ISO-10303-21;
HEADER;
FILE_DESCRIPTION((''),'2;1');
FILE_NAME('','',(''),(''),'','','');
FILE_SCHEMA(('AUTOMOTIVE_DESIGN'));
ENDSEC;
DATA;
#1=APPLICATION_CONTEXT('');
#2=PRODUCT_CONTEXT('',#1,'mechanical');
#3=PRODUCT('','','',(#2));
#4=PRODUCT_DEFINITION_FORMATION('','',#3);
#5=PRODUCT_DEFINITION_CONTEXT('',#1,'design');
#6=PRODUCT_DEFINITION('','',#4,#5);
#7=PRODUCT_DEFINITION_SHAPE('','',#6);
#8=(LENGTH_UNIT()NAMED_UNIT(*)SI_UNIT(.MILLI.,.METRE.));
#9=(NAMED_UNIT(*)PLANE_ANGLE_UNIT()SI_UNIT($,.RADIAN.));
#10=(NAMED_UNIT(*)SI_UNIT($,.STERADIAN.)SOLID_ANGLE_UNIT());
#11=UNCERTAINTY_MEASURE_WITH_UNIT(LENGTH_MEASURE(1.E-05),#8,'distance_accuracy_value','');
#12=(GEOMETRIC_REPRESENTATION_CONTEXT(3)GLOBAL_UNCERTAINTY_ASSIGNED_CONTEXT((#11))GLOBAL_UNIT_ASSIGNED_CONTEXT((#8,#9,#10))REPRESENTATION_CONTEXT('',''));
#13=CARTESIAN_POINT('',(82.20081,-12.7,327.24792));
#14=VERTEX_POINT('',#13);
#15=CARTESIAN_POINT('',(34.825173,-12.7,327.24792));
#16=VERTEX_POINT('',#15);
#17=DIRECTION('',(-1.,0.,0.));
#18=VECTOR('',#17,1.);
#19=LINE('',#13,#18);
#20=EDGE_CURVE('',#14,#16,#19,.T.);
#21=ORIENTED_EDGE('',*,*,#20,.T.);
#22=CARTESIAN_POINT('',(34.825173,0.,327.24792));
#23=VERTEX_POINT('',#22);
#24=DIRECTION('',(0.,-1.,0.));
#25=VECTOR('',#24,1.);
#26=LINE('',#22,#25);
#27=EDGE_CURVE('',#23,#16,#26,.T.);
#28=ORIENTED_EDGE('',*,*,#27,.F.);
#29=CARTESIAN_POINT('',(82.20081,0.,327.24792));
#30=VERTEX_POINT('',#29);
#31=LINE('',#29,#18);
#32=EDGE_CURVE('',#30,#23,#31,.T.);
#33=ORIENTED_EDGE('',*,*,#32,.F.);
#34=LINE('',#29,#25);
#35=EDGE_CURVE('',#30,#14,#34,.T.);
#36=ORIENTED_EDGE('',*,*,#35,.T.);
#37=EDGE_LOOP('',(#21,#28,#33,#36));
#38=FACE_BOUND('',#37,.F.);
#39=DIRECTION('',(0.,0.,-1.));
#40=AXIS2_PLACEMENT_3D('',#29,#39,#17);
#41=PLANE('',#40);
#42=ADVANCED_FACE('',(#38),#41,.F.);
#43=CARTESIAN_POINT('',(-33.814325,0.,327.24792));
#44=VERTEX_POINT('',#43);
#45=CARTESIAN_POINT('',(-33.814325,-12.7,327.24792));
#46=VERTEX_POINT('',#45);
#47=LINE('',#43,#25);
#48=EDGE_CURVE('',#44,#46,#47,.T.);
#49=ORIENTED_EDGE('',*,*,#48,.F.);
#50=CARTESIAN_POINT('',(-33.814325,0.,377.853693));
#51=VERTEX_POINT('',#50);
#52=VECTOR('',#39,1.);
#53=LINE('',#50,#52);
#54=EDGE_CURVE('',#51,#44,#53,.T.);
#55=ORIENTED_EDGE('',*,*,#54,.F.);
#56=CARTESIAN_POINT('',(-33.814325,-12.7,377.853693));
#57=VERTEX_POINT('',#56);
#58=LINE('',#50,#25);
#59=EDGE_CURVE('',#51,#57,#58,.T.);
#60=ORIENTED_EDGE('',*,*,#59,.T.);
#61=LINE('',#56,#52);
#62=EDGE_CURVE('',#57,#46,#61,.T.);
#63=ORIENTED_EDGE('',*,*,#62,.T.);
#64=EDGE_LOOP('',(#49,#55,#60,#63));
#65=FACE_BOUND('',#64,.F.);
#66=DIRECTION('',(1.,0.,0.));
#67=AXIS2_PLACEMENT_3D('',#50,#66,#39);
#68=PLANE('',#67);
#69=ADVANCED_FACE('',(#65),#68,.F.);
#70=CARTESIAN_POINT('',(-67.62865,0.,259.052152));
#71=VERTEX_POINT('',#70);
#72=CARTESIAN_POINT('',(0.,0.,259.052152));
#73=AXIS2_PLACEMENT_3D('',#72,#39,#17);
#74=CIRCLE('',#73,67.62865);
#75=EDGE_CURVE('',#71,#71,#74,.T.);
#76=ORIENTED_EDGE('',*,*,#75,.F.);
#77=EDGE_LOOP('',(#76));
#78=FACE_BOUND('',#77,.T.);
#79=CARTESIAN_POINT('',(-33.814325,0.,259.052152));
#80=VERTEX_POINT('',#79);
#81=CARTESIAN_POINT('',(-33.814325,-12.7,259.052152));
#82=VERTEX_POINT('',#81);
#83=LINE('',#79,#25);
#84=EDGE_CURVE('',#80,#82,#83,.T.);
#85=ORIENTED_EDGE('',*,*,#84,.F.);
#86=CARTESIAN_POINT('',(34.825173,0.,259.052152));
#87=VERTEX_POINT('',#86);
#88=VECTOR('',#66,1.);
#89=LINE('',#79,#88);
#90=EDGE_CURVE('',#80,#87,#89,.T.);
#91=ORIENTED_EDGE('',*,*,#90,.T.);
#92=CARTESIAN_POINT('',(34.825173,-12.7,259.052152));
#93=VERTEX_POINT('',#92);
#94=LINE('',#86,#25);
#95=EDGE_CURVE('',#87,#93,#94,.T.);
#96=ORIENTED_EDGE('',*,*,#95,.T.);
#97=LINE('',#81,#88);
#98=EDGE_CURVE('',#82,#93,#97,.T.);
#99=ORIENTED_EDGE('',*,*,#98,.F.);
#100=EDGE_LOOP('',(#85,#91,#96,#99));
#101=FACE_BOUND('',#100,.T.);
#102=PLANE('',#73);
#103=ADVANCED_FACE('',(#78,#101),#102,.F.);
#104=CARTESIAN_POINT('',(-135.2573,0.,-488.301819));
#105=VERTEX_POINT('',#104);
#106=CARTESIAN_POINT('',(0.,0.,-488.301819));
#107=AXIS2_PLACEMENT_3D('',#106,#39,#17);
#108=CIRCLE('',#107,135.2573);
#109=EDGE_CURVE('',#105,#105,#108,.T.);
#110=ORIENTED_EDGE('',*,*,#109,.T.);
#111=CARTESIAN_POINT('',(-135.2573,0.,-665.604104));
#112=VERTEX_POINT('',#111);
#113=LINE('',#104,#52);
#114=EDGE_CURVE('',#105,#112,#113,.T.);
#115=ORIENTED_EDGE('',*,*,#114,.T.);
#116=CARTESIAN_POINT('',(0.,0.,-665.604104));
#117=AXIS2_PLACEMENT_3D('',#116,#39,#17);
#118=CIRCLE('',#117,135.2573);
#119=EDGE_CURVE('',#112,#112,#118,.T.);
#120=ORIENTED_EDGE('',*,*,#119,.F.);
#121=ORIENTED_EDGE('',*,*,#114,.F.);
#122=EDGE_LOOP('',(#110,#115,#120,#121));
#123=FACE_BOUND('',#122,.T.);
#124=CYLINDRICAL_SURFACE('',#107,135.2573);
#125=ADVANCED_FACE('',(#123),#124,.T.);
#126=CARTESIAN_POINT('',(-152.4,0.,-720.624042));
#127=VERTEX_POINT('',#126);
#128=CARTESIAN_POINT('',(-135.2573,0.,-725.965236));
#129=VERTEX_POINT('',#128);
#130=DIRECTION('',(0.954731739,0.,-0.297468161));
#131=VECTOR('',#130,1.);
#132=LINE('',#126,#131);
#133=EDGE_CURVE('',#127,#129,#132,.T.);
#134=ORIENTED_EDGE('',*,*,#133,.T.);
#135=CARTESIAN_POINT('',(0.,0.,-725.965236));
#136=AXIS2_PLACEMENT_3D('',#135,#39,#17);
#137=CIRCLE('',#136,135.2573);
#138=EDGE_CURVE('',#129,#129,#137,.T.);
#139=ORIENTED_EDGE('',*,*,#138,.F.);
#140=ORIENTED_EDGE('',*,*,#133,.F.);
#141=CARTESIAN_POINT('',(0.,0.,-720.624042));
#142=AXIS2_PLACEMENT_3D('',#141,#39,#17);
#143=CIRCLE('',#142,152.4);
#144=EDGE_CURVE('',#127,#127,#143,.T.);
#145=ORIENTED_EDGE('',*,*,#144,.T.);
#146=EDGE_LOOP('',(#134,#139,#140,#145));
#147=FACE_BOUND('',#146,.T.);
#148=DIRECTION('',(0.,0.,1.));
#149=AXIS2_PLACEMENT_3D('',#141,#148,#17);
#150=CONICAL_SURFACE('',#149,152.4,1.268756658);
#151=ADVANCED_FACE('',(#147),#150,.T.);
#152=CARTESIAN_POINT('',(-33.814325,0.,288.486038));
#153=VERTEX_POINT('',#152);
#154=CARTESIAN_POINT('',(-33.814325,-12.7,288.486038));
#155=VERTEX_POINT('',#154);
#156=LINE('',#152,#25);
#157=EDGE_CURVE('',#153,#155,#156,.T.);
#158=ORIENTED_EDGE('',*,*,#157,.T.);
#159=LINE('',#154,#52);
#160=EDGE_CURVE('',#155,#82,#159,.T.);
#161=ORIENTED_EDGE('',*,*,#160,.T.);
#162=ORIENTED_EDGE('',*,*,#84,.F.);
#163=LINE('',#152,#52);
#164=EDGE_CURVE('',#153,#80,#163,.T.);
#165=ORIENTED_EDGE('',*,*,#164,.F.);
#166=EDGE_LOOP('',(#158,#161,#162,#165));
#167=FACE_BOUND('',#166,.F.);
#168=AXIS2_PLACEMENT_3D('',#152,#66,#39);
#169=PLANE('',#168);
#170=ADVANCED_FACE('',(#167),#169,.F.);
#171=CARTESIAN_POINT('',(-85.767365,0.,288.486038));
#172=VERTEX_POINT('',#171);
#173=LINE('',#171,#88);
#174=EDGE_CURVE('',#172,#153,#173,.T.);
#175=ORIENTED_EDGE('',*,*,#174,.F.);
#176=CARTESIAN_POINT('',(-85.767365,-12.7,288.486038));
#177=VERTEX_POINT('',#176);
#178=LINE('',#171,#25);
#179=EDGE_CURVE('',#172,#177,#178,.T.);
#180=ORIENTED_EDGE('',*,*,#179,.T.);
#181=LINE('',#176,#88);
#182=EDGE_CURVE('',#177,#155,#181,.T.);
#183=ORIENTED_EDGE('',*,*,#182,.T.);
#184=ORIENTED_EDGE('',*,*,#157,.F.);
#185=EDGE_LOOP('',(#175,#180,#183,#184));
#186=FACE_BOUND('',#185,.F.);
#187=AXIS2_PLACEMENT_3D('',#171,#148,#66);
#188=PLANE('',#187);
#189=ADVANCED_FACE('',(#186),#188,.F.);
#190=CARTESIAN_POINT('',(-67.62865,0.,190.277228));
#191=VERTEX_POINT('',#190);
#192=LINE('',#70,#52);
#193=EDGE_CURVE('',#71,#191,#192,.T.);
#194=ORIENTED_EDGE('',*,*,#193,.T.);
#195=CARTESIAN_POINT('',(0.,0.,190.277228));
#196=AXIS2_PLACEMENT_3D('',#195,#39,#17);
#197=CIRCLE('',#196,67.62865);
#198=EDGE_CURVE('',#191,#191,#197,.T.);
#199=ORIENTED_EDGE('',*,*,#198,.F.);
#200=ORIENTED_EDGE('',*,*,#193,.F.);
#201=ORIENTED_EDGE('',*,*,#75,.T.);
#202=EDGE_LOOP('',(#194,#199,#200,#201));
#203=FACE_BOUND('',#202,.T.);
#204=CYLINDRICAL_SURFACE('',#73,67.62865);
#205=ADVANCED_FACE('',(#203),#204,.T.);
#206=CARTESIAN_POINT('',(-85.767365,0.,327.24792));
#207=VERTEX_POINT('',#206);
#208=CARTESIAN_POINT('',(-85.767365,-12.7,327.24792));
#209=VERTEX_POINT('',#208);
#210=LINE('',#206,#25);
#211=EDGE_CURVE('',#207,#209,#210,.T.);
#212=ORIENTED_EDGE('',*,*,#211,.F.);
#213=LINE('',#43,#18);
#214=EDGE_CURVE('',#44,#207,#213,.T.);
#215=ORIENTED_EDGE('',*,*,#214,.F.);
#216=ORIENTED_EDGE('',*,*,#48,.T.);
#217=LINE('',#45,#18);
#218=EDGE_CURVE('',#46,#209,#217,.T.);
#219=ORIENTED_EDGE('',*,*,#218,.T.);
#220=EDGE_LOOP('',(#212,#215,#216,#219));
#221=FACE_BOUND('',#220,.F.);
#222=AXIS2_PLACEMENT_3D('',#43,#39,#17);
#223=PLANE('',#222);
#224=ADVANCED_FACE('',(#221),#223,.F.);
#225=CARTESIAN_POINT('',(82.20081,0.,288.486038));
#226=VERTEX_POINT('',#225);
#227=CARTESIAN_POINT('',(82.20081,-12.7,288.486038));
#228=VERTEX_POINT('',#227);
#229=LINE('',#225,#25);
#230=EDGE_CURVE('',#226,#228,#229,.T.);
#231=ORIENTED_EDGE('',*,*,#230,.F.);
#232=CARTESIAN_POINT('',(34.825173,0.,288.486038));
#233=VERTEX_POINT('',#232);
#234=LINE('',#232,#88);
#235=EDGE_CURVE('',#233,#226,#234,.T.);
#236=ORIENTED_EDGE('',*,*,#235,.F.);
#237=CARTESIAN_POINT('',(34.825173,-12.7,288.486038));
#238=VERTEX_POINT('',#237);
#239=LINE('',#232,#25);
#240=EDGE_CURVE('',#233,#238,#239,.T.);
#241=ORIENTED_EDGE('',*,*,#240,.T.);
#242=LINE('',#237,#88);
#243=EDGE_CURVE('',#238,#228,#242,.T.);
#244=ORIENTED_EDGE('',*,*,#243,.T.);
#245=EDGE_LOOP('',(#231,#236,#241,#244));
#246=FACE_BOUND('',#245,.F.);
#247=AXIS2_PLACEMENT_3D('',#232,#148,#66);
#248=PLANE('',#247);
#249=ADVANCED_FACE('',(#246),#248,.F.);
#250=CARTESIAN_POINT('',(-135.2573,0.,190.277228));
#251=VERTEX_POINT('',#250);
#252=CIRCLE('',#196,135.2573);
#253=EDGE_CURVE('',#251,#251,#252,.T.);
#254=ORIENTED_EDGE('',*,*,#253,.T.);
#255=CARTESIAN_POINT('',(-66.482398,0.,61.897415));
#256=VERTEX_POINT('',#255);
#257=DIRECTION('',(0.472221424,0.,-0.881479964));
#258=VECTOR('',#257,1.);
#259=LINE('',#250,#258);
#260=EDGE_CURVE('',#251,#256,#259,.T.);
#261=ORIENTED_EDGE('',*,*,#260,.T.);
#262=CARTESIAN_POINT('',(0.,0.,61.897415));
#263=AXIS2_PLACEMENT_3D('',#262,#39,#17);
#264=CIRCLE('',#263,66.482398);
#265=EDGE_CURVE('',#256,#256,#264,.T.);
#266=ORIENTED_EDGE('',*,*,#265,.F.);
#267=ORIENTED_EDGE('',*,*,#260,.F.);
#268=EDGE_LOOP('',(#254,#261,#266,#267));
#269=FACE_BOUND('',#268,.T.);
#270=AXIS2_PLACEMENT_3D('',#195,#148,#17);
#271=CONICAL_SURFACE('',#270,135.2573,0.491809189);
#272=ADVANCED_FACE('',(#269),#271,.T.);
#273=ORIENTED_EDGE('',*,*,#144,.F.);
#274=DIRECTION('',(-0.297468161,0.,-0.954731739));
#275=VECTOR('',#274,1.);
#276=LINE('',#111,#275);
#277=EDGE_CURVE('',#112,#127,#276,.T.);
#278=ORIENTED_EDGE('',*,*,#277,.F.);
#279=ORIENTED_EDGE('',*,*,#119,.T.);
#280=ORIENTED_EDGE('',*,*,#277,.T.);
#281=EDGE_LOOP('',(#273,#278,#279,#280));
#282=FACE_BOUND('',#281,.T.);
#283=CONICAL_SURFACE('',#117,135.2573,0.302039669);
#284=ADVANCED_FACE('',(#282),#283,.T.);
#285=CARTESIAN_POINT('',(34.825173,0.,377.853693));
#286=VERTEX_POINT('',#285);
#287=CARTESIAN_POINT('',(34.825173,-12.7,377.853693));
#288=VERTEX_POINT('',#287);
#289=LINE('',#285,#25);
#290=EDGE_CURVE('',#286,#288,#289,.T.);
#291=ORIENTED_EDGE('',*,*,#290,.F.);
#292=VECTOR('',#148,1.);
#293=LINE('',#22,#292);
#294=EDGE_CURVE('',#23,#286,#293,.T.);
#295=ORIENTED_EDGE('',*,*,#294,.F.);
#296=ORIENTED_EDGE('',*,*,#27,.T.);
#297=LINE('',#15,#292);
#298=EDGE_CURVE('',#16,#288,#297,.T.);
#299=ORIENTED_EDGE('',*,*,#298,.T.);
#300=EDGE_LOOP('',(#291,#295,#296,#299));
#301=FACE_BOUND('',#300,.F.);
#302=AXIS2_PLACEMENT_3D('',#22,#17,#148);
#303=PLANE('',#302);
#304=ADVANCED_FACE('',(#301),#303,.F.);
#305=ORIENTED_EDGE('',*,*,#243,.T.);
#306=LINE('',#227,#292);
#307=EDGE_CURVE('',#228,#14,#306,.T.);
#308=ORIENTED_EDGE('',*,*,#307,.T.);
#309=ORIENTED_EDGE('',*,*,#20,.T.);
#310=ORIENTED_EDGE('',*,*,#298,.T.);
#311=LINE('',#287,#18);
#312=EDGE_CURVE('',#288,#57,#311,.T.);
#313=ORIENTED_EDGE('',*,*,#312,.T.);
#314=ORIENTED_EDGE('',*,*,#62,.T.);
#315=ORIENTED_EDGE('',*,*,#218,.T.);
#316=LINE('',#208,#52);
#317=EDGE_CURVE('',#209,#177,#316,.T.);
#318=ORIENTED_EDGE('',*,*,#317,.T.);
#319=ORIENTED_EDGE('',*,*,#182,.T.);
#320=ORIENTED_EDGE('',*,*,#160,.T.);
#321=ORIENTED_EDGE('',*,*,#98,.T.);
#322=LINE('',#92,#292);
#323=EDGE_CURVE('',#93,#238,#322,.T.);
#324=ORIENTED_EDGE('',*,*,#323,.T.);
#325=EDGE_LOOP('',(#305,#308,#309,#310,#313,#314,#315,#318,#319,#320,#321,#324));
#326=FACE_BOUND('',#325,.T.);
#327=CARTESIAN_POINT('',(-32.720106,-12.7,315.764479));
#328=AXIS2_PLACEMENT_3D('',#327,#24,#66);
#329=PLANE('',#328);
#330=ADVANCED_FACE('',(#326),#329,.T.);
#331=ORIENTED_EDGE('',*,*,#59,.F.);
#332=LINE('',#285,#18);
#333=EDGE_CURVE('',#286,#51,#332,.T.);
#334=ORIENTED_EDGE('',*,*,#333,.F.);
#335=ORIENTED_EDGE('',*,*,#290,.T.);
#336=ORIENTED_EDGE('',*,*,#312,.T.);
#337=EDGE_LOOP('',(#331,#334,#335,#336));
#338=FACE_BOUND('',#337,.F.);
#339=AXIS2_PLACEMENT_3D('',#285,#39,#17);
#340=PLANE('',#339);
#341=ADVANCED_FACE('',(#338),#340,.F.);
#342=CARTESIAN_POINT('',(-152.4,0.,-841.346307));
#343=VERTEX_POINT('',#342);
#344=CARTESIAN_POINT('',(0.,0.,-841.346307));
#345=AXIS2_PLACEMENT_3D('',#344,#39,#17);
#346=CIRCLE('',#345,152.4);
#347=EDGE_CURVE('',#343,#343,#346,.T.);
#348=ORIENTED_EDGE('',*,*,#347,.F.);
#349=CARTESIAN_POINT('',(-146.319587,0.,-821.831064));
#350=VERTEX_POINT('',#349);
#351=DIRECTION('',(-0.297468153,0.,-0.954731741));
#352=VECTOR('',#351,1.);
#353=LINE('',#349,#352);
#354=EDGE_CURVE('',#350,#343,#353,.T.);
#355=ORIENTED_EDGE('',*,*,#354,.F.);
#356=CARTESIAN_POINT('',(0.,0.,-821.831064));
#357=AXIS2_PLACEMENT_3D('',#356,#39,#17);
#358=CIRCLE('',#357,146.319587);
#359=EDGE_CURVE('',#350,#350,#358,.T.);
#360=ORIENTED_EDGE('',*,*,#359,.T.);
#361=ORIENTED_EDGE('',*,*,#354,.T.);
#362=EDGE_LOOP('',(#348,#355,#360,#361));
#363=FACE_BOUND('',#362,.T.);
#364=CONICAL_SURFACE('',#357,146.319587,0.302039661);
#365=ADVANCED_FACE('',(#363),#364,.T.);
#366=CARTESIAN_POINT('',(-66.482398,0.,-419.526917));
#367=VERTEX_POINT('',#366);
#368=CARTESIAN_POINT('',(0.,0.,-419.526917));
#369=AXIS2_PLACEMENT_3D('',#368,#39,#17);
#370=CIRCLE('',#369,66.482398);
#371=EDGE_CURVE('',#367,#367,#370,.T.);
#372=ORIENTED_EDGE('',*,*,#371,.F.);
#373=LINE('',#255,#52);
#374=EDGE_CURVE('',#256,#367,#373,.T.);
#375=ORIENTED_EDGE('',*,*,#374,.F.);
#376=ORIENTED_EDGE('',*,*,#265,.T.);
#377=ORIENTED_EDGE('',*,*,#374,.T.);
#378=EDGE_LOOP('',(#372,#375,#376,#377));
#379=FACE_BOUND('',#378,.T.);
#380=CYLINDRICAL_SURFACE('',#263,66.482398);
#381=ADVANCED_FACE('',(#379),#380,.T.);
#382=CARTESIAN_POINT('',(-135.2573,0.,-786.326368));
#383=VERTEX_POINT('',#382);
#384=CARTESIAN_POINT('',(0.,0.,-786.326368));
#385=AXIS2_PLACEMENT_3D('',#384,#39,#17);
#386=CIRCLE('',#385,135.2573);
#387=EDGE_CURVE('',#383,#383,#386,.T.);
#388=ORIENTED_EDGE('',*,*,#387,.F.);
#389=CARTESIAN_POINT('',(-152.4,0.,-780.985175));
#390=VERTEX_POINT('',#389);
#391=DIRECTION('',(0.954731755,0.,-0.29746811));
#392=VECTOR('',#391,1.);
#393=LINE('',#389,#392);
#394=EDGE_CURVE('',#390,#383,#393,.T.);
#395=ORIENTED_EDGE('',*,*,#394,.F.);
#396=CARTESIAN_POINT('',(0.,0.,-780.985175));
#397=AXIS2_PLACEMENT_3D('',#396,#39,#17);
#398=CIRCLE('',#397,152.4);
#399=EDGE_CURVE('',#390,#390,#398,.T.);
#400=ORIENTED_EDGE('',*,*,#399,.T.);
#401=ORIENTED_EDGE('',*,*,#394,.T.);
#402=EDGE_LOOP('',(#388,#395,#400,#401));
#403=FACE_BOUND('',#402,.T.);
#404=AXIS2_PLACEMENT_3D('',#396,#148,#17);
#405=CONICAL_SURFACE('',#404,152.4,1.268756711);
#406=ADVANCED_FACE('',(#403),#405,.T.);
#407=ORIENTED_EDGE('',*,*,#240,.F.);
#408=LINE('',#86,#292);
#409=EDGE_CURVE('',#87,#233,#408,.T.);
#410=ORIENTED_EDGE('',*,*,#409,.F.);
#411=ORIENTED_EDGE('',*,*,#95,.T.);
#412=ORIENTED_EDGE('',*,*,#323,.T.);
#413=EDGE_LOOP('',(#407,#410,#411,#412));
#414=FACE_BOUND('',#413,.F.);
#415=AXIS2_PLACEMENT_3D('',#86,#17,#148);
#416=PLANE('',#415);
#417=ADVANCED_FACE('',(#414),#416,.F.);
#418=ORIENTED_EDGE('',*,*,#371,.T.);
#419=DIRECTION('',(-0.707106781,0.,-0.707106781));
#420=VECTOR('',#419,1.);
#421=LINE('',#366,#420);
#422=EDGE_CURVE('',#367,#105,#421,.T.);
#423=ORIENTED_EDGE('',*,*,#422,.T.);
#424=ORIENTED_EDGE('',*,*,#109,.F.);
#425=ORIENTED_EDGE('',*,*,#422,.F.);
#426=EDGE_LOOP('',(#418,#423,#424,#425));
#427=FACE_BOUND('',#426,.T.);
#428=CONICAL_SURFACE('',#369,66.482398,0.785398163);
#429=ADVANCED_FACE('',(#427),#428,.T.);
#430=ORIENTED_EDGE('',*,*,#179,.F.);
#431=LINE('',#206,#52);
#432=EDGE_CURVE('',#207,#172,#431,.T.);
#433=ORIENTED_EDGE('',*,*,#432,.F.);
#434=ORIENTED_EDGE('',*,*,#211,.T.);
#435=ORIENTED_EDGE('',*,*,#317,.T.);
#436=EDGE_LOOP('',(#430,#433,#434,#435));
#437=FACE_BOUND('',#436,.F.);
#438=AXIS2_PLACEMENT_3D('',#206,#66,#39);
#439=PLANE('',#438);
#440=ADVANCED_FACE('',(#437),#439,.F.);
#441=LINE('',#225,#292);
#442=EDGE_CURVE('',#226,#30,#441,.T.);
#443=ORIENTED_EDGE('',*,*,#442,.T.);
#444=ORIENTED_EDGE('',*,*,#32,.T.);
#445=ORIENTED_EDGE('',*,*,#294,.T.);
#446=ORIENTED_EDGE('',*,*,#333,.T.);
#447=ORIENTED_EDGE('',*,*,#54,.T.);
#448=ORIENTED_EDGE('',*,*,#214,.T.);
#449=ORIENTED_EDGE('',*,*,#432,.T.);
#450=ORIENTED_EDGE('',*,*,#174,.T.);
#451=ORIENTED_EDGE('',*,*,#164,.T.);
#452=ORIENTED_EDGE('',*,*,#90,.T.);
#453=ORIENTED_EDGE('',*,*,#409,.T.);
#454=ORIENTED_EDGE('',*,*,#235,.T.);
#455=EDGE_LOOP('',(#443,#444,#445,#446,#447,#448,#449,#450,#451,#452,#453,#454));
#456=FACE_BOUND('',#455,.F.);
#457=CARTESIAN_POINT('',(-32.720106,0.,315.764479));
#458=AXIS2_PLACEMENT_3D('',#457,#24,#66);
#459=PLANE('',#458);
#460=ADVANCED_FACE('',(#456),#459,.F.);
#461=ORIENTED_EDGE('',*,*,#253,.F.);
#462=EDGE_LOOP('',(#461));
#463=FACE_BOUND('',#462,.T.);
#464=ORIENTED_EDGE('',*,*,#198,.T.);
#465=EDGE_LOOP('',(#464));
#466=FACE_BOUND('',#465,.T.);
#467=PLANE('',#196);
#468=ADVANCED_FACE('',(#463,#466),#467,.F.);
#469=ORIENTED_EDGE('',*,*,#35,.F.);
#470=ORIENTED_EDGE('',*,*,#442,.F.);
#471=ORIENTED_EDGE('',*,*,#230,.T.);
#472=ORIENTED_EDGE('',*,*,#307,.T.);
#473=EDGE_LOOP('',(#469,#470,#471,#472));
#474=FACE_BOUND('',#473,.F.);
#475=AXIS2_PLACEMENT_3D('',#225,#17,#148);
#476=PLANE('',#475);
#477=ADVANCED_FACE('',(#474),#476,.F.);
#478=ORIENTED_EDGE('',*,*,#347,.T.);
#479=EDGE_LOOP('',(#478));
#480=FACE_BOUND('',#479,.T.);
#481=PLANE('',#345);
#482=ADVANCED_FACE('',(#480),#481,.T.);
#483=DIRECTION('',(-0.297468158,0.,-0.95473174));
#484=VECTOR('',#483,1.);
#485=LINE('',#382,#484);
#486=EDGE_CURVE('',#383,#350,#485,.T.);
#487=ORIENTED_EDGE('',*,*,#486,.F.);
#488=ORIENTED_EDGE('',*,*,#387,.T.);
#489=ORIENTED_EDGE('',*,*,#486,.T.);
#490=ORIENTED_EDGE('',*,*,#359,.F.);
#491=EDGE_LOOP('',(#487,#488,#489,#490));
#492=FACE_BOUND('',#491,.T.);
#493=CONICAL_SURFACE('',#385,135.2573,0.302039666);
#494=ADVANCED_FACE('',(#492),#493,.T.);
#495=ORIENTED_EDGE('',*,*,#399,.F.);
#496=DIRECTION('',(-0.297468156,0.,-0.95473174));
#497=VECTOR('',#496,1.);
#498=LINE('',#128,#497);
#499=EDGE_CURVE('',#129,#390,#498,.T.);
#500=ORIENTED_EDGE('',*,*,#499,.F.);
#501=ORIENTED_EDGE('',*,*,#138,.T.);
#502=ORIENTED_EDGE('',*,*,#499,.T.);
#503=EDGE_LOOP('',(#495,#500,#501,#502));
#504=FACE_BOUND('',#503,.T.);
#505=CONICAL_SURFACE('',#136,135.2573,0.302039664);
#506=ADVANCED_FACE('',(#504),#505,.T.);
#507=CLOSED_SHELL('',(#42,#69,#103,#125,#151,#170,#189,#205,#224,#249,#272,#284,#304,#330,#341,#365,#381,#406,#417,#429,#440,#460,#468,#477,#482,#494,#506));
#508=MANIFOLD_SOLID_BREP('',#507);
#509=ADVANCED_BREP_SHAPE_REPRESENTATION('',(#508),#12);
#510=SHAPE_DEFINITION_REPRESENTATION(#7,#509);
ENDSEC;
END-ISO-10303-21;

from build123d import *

# Parameters (mm, degrees)
F2_DEPTH = 12.7


with BuildPart() as f1:
    # F0 (on Front) → F1 (revolve)
    with BuildSketch(Plane.XZ):
        Polygon((-67.62865, 190.277228), (0, 190.277228), (0, 259.052152), (-33.814325, 259.052152), (-67.62865, 259.052152), align=None)
        Polygon((-152.4, -841.346307), (0, -841.346307), (0, 190.277228), (-67.62865, 190.277228), (-135.2573, 190.277228), (-66.482398, 61.897415), (-66.482398, -419.526917), (-135.2573, -488.301819), (-135.2573, -665.604104), (-152.4, -720.624042), (-135.2573, -725.965236), (-152.4, -780.985175), (-135.2573, -786.326368), (-146.319587, -821.831064), align=None)
    revolve(axis=Axis((0, 0, -98.577386), (0, 0, -1)))

    # F0 (on Front) → F2 (join)
    with BuildSketch(Plane.XZ):
        Polygon((-33.814325, 259.052152), (0, 259.052152), (0, 377.853693), (-33.814325, 377.853693), (-33.814325, 327.24792), (-85.767365, 327.24792), (-85.767365, 288.486038), (-33.814325, 288.486038), align=None)
        Polygon((0, 377.853693), (0, 259.052152), (34.825173, 259.052152), (34.825173, 288.486038), (82.20081, 288.486038), (82.20081, 327.24792), (34.825173, 327.24792), (34.825173, 377.853693), align=None)
    extrude(amount=F2_DEPTH)


solid = f1.part
